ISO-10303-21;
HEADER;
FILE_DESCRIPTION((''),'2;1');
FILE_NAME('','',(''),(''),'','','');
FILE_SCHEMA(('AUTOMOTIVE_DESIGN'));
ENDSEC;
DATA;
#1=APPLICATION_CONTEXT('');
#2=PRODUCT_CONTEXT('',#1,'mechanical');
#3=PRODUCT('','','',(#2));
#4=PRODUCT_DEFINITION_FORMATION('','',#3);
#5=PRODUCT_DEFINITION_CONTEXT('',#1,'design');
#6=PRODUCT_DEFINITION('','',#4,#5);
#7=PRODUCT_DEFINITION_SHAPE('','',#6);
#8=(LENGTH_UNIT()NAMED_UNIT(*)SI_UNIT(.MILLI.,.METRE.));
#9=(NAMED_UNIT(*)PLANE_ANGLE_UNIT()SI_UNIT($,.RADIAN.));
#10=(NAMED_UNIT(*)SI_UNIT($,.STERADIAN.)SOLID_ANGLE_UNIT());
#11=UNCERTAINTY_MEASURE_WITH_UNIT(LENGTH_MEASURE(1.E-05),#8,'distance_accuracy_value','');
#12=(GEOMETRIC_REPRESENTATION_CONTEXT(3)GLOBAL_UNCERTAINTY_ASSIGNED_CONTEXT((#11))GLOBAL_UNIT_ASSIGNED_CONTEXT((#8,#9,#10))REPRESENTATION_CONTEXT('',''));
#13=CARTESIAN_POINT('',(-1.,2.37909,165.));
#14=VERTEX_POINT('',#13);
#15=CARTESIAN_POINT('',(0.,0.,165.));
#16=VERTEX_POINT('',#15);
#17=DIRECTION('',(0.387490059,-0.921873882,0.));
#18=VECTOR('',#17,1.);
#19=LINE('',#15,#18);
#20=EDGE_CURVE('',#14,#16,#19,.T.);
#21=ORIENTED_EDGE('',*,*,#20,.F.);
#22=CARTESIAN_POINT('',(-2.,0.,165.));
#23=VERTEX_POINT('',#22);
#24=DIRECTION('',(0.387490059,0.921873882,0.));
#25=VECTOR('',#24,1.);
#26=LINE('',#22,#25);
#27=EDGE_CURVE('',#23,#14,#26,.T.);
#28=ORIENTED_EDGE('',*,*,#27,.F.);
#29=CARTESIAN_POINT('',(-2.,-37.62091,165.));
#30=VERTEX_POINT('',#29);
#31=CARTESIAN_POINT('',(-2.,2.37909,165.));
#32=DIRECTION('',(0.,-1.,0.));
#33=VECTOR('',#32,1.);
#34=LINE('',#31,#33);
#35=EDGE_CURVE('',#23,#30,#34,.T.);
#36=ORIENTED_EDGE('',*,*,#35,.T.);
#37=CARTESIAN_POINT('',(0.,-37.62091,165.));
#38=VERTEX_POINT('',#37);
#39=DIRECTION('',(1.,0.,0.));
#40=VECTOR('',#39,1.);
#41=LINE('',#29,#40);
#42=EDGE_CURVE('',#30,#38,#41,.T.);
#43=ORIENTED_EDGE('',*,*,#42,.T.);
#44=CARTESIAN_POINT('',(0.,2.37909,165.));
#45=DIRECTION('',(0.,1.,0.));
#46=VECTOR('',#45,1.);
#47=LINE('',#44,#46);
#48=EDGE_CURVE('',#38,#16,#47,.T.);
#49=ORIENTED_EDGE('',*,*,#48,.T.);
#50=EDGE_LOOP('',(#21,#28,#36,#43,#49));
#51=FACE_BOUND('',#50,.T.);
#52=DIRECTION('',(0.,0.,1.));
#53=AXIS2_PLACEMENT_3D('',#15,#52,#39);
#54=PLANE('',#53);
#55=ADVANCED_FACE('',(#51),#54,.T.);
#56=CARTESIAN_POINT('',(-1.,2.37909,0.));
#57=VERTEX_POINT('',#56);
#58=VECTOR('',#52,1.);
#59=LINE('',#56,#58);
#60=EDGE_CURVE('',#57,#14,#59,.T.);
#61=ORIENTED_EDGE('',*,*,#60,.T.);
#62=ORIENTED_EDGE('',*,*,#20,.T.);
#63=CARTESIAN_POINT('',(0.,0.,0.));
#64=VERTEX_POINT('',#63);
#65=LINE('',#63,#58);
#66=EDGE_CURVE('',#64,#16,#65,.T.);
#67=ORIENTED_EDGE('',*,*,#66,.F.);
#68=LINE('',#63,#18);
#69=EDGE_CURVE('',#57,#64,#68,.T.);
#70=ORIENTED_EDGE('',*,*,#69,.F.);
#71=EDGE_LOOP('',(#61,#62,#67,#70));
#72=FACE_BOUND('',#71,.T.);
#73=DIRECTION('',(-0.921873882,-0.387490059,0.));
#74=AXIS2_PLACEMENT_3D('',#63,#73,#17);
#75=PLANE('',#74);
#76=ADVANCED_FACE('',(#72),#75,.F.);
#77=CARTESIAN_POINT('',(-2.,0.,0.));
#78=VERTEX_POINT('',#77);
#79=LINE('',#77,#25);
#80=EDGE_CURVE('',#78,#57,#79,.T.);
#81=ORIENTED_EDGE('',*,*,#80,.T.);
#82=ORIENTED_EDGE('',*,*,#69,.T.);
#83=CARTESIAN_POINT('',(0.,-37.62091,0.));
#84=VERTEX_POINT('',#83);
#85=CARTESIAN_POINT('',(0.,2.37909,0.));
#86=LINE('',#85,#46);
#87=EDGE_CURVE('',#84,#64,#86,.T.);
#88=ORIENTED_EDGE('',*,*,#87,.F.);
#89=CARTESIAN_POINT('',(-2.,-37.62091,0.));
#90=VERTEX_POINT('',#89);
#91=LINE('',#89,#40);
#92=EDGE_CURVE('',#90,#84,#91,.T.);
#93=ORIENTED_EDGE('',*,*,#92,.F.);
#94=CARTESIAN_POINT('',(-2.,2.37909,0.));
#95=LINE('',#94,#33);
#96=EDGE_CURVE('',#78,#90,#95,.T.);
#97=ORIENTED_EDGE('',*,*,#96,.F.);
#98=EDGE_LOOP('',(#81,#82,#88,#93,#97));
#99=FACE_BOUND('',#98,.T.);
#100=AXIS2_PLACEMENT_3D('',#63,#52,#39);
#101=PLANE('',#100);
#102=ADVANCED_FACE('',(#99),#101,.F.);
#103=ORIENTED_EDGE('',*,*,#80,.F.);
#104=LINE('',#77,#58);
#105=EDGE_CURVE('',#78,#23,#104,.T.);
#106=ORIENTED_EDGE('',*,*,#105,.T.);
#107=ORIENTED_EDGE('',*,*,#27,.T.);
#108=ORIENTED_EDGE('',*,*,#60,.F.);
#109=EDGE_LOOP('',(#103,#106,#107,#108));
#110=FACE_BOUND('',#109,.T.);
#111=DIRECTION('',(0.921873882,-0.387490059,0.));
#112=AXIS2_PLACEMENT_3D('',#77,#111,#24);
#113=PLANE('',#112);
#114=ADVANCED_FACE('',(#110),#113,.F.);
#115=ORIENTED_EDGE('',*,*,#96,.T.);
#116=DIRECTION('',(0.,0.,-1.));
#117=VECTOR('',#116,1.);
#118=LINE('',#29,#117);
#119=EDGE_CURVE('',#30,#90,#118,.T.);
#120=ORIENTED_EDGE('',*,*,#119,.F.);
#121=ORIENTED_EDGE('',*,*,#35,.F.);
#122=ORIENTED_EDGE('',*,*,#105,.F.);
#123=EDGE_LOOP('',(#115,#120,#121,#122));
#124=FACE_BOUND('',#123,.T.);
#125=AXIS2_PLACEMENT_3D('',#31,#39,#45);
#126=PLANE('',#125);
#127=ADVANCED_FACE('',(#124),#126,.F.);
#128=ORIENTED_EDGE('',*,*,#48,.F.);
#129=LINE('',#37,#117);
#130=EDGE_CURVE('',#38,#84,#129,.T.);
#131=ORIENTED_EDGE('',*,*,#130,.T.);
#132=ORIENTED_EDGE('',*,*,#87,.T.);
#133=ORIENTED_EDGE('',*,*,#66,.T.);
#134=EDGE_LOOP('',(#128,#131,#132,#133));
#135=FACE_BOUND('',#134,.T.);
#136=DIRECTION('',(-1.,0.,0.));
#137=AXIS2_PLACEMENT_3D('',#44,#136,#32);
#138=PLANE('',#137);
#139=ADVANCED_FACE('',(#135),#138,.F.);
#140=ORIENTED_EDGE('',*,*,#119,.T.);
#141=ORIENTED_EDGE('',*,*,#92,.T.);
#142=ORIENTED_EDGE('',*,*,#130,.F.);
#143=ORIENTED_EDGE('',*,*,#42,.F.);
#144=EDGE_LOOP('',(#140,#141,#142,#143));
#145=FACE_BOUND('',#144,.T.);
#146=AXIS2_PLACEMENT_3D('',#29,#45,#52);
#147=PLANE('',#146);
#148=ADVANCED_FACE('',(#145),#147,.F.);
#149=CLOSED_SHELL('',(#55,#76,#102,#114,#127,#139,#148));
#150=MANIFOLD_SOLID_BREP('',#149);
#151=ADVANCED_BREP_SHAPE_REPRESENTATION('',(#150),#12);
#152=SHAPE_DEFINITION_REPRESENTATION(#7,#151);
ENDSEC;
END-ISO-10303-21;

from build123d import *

# Parameters (mm, degrees)
SKETCH1_W           = 2
SKETCH1_H           = 40
BOSS_EXTRUDE1_DEPTH = 165
CUT_EXTRUDE1_DEPTH  = 165
CUT_EXTRUDE2_DEPTH  = 165


with BuildPart() as part:
    # Sketch1 → Boss-Extrude1 (new body)
    with BuildSketch(Plane.XY):
        with Locations((-1, -17.620909594)):
            Rectangle(SKETCH1_W, SKETCH1_H)
    extrude(amount=BOSS_EXTRUDE1_DEPTH)

    # Sketch2 → Cut-Extrude1 (cut)
    with BuildSketch(Plane.XY.offset(165)):
        Polygon((0, 2.379090406), (-1, 2.379090406), (0, 0), align=None)
    extrude(amount=-CUT_EXTRUDE1_DEPTH, mode=Mode.SUBTRACT)

    # Sketch3 → Cut-Extrude2 (cut)
    with BuildSketch(Plane.XY.offset(165)):
        Polygon((-1, 2.379090406), (-2, 2.379090406), (-2, 0), align=None)
    extrude(amount=-CUT_EXTRUDE2_DEPTH, mode=Mode.SUBTRACT)


solid = part.part
